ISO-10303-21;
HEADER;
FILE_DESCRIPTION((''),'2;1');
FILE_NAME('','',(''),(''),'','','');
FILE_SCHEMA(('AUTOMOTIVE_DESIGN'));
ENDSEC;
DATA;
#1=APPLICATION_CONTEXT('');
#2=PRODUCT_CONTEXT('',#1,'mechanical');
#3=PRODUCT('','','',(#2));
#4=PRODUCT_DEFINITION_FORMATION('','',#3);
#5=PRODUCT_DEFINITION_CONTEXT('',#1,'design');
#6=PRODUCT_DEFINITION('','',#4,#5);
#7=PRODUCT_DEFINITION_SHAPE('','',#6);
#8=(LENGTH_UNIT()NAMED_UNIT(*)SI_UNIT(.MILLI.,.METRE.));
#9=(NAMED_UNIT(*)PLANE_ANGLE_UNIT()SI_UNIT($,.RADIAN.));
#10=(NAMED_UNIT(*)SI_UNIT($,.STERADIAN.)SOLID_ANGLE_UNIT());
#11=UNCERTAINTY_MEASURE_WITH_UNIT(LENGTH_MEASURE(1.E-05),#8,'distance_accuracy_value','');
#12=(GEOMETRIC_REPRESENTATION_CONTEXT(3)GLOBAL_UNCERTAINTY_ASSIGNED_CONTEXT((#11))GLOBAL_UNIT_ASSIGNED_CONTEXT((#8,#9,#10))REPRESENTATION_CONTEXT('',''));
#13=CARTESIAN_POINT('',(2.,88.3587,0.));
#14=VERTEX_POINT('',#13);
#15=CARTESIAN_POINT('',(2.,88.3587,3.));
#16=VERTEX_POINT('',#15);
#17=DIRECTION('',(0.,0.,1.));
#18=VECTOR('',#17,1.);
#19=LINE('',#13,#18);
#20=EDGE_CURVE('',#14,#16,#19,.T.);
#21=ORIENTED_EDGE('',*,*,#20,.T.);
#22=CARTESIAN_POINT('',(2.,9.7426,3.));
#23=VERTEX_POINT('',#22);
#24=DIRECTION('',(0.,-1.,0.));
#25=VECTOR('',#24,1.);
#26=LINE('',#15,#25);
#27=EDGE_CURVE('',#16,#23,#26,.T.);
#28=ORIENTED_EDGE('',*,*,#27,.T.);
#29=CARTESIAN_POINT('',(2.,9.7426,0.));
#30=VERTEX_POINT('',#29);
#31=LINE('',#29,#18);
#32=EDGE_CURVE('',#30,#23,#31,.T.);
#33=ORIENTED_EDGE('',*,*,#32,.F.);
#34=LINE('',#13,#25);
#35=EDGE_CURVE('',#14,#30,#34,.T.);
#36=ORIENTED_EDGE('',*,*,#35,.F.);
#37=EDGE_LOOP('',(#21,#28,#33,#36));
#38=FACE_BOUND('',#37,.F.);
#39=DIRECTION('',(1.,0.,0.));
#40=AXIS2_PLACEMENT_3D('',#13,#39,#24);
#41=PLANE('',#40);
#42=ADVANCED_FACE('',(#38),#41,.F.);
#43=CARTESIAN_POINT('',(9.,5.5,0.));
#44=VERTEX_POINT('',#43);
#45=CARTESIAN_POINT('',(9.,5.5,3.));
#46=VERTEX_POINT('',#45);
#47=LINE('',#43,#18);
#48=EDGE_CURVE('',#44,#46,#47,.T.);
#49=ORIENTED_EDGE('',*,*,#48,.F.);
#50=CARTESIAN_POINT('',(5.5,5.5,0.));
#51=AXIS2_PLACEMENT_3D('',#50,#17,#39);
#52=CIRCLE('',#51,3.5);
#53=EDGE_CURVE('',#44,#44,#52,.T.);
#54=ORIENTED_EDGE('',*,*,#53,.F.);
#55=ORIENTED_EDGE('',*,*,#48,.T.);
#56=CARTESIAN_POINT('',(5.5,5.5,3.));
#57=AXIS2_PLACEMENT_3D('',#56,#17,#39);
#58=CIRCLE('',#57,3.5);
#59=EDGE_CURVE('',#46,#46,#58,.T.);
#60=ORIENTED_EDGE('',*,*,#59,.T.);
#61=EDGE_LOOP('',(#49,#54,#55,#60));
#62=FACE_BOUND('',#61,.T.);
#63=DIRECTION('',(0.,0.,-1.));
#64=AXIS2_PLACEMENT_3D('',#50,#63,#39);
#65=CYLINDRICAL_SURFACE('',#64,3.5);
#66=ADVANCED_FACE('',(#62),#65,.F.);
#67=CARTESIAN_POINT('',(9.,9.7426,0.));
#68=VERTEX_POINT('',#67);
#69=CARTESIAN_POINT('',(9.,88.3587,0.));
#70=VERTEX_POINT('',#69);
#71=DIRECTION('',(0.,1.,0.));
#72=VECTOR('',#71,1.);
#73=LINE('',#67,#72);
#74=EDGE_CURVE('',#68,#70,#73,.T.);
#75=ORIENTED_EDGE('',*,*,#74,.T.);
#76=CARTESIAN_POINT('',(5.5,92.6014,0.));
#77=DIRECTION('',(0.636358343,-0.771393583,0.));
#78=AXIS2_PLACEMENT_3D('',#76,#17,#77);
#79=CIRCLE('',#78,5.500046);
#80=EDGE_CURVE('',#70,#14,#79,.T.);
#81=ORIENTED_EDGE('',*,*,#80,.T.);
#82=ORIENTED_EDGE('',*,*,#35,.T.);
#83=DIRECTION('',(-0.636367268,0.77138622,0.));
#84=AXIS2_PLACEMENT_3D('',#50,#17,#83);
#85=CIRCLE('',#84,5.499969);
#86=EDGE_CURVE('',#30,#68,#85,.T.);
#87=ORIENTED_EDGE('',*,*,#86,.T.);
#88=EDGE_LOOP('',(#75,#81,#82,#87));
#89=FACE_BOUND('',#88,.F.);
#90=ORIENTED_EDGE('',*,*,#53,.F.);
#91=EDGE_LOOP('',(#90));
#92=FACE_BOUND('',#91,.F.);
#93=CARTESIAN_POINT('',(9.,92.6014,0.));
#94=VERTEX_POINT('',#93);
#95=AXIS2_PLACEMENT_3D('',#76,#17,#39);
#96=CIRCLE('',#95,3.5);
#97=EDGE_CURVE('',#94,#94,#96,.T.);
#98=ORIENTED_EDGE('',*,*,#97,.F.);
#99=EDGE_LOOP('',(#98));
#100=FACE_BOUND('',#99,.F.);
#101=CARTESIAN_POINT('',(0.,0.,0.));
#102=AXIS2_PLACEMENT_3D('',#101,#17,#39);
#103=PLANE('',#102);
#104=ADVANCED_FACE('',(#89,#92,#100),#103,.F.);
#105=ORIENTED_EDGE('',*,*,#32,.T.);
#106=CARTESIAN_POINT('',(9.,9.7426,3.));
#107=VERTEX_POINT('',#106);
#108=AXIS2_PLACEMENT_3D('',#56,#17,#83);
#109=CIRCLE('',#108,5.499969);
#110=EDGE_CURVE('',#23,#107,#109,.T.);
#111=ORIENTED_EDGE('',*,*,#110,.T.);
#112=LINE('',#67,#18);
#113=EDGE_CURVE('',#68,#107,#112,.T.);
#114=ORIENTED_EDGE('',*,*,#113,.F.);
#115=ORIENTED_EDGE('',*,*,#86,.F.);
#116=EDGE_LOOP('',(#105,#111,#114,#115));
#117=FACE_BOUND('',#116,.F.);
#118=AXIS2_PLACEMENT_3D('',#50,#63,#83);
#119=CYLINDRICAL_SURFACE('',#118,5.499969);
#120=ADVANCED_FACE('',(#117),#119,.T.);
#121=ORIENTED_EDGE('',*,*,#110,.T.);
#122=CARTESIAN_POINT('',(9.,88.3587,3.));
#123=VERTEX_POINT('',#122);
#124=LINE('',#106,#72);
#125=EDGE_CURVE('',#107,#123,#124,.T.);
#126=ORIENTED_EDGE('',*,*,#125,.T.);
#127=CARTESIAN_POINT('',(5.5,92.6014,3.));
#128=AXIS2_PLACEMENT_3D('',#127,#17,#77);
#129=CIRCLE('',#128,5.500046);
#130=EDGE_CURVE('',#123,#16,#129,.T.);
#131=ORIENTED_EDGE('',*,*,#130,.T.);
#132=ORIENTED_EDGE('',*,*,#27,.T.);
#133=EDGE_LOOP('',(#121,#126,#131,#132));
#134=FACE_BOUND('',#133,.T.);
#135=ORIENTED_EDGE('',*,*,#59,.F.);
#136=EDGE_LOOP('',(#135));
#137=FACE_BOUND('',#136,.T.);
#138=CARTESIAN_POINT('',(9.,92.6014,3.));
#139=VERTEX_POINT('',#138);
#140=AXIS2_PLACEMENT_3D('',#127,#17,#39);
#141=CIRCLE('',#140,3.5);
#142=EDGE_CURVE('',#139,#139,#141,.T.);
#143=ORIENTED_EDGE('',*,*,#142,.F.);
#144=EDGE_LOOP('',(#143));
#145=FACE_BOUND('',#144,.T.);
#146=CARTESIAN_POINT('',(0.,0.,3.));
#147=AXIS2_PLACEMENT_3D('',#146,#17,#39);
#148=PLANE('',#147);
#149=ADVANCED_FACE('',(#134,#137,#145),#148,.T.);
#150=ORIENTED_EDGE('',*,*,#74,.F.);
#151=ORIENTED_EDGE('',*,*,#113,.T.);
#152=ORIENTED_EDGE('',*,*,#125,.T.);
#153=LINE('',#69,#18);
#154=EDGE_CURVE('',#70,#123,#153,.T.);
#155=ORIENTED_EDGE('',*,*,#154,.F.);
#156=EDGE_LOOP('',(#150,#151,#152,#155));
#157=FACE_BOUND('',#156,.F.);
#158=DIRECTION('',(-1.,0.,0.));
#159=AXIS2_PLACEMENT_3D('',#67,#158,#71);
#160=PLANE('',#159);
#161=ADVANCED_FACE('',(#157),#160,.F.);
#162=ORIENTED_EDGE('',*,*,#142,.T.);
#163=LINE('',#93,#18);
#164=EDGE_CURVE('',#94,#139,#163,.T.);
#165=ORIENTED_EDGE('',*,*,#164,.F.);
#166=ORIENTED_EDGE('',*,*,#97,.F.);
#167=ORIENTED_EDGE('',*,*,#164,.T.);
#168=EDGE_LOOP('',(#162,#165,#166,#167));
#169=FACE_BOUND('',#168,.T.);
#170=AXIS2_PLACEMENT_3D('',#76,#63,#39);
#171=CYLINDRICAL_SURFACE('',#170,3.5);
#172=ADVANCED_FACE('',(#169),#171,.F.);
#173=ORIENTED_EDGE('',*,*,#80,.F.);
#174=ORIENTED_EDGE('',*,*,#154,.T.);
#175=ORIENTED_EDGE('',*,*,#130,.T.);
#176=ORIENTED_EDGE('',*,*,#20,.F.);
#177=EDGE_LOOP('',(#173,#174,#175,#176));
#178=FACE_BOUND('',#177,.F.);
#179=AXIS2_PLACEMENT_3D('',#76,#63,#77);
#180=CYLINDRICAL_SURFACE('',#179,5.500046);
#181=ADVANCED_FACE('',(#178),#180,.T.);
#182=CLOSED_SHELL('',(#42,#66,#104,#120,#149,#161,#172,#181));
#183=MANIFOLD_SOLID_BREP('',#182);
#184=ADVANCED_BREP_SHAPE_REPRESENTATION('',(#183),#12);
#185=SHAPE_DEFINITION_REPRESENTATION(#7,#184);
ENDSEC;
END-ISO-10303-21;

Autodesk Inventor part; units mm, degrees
ref_plane "YZ Plane" through (0, 0, 0) normal (1, 0, 0) x (0, 1, 0)
ref_plane "XZ Plane" through (0, 0, 0) normal (0, 1, 0) x (-1, 0, 0)
ref_plane "XY Plane" through (0, 0, 0) normal (0, 0, 1) x (1, 0, 0)
sketch "Sketch6" plane through (0, 0, 0) normal (0, 0, 1) x (1, 0, 0)
  arc A0 (9, 88.3587) -> (2, 88.3587) centre (5.5, 92.6014) ccw
  arc A1 (2, 9.7426) -> (9, 9.7426) centre (5.5, 5.5) ccw
  circle A2 centre (5.5, 5.5) radius 3.5
  circle A3 centre (5.5, 92.6014) radius 3.5
  line L0 (2, 88.3587) -> (2, 9.7426)
  line L1 (9, 9.7426) -> (9, 88.3587)
  point P0 (0, 0)
  dimension "d89" = 87.1013
  dimension "d90" = 7
  dimension "d91" = 7
  dimension "d92" = 5.5
  dimension "d93" = 7
  dimension "d94" = 5.5
extrude "Extrusion3" add sketch "Sketch6" along normal blind 3
properties part number "4P.01.01.17-BC-v1-Final Flap L3 80deg" material "Acrylic, Clear"
